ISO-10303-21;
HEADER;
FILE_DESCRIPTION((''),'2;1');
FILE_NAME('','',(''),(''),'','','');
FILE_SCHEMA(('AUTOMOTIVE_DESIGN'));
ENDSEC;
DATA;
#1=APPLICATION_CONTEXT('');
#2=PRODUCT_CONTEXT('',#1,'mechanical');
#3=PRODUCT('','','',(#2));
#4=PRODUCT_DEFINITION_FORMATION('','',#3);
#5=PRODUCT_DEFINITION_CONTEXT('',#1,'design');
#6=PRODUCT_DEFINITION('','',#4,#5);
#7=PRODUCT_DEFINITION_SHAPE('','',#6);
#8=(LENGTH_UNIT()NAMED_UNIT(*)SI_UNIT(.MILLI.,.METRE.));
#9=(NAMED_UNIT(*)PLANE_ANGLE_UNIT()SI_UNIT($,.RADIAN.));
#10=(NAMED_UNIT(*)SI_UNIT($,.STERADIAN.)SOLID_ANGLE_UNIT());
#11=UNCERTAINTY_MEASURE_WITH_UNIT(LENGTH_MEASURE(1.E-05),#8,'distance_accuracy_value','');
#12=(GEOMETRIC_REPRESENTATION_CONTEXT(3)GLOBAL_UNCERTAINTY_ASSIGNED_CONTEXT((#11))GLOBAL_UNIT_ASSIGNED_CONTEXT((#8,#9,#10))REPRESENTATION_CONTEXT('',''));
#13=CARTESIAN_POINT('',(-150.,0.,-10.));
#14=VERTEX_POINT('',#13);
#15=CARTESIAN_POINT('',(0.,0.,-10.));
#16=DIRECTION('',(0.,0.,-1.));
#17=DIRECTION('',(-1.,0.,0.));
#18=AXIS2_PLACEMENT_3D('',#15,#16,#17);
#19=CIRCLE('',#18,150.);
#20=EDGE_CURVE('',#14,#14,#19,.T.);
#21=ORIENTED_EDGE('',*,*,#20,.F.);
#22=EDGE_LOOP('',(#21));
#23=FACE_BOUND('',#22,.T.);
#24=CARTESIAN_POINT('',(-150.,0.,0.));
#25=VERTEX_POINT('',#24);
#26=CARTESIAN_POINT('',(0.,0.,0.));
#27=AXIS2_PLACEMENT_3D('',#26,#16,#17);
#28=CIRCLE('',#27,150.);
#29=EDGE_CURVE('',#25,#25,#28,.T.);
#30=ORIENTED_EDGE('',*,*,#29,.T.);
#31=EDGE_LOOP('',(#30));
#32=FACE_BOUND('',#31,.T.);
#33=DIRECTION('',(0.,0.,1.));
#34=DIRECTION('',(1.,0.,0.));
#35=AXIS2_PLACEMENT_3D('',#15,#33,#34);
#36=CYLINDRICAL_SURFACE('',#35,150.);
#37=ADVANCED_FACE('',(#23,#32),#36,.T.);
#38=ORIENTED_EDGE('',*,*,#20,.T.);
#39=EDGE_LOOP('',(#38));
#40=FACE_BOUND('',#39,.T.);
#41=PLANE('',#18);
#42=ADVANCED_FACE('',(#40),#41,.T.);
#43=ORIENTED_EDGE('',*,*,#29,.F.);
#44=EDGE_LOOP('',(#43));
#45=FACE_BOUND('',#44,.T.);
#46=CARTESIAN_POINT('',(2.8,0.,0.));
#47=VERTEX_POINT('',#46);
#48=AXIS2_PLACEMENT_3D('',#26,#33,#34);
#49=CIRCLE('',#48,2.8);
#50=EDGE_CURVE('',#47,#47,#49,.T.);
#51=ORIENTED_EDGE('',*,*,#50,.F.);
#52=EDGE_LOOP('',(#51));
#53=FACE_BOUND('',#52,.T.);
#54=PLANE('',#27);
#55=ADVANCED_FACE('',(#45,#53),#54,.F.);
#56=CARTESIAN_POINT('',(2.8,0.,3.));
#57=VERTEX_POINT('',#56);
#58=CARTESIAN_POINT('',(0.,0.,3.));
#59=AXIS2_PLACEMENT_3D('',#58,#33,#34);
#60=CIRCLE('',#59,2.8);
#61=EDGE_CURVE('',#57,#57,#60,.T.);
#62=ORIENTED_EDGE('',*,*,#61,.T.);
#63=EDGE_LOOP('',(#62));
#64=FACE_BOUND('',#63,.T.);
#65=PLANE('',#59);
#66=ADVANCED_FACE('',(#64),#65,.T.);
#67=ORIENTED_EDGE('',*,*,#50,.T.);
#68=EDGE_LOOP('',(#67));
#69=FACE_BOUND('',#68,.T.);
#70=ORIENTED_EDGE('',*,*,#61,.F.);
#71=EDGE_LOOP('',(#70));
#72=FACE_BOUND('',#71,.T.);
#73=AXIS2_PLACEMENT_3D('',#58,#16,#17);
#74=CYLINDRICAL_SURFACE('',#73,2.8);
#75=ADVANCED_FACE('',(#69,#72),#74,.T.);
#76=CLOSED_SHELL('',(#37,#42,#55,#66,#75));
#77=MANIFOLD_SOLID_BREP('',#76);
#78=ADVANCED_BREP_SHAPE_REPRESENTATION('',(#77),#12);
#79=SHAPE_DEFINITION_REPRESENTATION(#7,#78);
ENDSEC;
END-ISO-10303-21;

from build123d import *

# Parameters (mm, degrees)
SKETCH_1_R      = 2.8
EXTRUDE_1_DEPTH = 3
SKETCH_2_R      = 150
EXTRUDE_2_DEPTH = 10


with BuildPart() as part:
    # 草图1 → 凸台-拉伸1 (new body)
    with BuildSketch(Plane.XY):
        Circle(SKETCH_1_R)
    extrude(amount=EXTRUDE_1_DEPTH)

    # 草图2 → 凸台-拉伸2 (add)
    with BuildSketch(Plane(origin=(0, 0, 0), x_dir=(-1, 0, 0), z_dir=(0, 0, -1))):
        Circle(SKETCH_2_R)
    extrude(amount=EXTRUDE_2_DEPTH)


solid = part.part
